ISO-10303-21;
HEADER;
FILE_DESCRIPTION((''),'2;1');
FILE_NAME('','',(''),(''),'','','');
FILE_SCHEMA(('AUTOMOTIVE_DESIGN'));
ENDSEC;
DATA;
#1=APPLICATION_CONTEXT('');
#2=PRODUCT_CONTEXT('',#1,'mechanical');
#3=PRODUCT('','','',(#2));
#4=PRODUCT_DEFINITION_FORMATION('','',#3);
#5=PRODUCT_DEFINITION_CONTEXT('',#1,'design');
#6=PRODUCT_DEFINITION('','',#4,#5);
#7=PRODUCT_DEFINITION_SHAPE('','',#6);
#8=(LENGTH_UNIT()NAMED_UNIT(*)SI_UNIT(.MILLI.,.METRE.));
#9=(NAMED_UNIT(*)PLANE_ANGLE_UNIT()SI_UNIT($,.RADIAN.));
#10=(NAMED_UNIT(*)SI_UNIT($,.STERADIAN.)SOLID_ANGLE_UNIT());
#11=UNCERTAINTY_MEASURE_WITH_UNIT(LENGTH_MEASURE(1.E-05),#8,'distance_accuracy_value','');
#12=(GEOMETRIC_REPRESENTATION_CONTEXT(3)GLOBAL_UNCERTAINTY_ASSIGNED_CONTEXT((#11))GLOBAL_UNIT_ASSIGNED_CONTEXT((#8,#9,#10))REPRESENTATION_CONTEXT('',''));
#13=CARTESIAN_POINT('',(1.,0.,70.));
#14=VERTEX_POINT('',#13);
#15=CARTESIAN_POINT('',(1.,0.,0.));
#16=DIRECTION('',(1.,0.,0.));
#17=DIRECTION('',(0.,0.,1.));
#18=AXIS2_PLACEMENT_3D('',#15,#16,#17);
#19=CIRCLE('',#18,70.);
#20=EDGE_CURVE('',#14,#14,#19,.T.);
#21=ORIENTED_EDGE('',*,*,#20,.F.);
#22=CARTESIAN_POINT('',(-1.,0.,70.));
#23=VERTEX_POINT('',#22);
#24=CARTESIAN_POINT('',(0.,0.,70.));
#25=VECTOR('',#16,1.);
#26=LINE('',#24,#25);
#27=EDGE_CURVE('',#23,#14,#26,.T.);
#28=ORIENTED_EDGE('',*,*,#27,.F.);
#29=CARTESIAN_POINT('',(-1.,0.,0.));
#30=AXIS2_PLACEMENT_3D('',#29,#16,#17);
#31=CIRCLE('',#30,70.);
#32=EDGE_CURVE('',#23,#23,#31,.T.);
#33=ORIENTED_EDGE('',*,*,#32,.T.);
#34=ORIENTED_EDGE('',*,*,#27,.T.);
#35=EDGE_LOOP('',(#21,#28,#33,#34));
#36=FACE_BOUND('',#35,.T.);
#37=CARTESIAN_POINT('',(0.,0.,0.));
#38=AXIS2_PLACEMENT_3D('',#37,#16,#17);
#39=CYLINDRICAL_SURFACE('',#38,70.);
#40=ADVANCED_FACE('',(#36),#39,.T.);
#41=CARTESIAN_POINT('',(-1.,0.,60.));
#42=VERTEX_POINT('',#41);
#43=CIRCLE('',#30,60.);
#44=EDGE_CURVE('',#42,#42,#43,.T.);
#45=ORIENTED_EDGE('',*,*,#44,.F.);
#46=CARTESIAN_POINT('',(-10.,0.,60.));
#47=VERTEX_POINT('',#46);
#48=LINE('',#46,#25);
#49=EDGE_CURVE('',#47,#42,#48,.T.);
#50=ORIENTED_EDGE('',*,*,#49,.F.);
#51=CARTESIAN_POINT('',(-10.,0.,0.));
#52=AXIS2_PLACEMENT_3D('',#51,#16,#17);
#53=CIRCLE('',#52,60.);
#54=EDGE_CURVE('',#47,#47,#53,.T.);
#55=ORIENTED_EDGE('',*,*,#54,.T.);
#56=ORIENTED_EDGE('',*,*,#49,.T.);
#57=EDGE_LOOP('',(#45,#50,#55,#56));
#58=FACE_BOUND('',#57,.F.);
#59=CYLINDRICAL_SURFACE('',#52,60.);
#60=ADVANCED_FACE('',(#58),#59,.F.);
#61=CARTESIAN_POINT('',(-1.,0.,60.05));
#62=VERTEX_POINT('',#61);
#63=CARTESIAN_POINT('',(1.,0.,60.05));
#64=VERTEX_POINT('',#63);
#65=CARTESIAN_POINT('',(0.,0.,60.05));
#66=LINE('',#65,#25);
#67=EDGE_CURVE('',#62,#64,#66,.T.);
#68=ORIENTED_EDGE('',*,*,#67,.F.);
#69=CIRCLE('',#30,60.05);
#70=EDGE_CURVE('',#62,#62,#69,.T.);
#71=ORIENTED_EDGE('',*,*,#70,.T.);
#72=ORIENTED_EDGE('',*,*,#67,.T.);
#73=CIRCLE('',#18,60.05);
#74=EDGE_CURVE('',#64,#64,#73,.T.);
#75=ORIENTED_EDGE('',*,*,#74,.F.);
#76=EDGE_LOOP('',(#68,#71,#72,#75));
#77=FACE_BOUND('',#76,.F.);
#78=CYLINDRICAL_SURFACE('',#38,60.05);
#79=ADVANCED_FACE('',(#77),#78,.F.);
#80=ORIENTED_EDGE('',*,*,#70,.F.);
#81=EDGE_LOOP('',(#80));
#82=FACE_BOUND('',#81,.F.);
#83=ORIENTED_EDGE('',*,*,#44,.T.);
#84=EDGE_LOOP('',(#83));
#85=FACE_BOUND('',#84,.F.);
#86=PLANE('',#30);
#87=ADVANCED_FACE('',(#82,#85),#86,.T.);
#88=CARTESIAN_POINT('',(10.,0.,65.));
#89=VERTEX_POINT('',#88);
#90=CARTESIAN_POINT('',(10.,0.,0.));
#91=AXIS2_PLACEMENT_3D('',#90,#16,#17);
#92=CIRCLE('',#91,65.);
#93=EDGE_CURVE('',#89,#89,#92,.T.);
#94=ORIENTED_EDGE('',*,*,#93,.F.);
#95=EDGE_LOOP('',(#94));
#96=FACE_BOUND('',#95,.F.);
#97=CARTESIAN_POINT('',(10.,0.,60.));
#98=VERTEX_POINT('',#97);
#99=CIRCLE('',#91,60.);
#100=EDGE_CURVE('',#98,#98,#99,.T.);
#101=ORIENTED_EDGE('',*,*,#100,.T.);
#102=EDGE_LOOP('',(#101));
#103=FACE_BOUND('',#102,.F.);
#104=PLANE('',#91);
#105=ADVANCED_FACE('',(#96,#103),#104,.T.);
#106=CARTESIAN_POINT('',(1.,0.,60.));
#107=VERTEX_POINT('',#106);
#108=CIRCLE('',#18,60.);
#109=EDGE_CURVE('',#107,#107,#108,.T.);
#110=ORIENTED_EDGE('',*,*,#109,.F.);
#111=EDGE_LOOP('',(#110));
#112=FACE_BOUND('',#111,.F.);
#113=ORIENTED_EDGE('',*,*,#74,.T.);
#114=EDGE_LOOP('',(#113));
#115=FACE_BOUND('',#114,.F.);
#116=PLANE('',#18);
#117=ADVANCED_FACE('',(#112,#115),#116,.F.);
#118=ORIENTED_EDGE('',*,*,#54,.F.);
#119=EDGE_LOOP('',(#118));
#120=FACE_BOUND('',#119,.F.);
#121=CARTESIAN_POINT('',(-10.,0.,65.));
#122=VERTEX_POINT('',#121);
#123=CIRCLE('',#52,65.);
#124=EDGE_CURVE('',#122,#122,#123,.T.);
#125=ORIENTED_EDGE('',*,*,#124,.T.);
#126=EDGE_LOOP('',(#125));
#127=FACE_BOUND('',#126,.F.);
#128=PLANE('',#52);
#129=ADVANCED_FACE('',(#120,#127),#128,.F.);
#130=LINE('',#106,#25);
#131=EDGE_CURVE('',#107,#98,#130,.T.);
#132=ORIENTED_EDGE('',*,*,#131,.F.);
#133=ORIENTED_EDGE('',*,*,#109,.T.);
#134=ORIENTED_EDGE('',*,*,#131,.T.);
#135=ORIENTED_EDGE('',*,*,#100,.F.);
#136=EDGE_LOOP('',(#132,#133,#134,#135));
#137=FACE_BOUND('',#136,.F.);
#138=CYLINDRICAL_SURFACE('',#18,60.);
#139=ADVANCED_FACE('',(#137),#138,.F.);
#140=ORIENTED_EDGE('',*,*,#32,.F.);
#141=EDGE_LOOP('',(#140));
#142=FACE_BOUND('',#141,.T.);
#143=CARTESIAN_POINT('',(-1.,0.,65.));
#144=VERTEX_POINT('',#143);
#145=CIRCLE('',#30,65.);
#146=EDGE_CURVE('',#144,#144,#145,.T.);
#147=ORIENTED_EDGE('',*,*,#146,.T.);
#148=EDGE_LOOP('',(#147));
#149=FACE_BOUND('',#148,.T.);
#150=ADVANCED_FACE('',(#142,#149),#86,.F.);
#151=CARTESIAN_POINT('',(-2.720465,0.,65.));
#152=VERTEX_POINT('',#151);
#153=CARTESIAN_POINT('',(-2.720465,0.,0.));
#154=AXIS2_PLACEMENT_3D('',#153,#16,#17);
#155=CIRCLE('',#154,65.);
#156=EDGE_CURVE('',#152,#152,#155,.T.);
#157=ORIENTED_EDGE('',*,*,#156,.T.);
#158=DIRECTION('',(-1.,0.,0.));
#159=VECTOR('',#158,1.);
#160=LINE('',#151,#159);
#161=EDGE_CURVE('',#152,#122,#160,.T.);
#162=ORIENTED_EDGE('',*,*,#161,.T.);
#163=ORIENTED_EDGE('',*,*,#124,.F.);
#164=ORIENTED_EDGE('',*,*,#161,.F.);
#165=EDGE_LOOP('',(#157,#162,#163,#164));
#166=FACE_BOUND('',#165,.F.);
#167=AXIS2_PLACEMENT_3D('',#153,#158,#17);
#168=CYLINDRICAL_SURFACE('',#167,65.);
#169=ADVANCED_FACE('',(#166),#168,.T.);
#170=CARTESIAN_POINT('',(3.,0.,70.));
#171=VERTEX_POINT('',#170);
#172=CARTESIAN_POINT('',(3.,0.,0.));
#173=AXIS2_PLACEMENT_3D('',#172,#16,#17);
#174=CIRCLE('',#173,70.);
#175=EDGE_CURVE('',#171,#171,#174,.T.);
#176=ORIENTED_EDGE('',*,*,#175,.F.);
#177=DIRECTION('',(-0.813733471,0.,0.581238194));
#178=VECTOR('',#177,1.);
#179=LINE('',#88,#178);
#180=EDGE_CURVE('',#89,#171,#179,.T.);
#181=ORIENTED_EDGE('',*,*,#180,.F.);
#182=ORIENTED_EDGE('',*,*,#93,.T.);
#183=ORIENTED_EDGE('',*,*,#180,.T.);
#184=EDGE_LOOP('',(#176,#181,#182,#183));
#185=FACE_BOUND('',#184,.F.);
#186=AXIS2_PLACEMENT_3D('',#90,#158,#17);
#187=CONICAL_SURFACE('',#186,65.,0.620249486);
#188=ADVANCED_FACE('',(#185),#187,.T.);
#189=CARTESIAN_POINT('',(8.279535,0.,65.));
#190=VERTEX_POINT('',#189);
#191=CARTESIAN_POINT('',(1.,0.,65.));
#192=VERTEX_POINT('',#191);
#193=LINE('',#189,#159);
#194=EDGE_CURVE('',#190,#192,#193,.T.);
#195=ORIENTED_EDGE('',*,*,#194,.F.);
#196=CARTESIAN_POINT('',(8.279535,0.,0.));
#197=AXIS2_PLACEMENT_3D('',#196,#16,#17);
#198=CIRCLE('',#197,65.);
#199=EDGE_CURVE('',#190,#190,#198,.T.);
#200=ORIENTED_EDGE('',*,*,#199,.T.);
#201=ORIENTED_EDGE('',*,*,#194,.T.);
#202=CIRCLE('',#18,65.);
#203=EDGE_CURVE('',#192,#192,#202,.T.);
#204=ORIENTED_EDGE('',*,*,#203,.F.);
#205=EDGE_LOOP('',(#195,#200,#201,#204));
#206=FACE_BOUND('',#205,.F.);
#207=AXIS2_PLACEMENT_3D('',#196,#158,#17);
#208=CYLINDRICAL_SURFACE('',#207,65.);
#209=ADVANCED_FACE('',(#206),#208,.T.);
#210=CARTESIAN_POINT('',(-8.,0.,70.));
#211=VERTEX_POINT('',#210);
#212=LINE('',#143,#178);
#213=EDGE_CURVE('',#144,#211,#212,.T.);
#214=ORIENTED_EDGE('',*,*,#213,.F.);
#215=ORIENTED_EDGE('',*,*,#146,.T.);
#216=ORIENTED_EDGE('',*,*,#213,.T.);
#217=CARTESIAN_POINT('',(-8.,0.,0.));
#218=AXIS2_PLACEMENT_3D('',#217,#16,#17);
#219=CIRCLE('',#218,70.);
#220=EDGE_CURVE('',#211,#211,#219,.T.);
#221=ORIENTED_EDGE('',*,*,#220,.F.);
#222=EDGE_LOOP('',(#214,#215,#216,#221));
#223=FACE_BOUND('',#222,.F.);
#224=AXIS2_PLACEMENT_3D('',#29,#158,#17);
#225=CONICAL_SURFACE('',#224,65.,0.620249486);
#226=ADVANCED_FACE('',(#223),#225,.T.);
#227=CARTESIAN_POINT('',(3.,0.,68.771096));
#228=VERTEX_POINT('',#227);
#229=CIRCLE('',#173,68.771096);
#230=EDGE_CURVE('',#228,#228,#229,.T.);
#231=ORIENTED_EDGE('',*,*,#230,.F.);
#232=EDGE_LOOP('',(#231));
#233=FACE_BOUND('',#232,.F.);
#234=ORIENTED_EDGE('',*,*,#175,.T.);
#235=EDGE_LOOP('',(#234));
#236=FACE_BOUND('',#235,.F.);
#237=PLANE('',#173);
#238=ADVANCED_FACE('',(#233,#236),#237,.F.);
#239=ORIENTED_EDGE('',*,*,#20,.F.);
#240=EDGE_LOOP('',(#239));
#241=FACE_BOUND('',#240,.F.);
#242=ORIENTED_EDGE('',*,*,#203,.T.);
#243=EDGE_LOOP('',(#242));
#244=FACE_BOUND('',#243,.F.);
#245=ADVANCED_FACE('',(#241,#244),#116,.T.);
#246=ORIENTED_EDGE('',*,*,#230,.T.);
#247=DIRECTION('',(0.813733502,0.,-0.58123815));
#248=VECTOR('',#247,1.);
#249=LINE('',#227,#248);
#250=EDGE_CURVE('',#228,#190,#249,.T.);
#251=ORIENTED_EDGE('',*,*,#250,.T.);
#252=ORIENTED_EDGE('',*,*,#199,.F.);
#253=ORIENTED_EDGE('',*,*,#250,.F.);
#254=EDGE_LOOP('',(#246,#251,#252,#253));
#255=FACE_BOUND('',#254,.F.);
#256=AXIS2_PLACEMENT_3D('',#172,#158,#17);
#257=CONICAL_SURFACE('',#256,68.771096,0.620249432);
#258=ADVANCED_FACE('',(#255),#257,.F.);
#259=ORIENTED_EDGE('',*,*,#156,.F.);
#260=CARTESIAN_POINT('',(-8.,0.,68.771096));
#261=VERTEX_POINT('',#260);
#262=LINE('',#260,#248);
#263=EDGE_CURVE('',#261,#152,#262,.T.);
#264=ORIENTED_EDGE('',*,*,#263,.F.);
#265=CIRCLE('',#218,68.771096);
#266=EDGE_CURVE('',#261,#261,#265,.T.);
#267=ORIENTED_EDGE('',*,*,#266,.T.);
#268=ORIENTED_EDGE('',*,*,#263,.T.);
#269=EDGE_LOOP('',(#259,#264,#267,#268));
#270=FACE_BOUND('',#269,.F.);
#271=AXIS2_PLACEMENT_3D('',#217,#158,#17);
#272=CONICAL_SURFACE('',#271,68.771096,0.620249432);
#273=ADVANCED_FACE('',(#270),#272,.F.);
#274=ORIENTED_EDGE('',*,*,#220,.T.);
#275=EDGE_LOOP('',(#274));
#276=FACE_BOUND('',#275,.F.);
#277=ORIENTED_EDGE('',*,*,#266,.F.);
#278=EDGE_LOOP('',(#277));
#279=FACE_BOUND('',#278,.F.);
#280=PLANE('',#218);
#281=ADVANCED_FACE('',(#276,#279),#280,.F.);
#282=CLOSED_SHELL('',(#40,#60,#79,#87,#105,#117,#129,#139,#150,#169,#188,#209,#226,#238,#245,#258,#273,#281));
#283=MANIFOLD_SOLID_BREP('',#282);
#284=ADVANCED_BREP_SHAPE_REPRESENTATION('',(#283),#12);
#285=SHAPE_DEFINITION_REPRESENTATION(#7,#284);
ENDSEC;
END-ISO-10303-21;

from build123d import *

# Parameters (mm, degrees)
F0_W = 2
F0_H = 9.95


with BuildPart() as f1:
    # F0 (on Front) → F1 (revolve)
    with BuildSketch(Plane.XZ):
        with Locations((0, 65.025)):
            Rectangle(F0_W, F0_H)
    revolve(axis=Axis((8.224491, 0, 0), (1, 0, 0)))

    # F2 (on Front) → F3 (revolve)
    with BuildSketch(Plane.XZ):
        Polygon((-2.720465, 65), (-10, 65), (-10, 60), (-1, 60), (-1, 65), (-8, 70), (-8, 68.771096), align=None)
        Polygon((8.279535, 65), (1, 65), (1, 60), (10, 60), (10, 65), (3, 70), (3, 68.771096), align=None)
    revolve(axis=Axis((3.221242, 0, 0), (1, 0, 0)))


solid = f1.part
